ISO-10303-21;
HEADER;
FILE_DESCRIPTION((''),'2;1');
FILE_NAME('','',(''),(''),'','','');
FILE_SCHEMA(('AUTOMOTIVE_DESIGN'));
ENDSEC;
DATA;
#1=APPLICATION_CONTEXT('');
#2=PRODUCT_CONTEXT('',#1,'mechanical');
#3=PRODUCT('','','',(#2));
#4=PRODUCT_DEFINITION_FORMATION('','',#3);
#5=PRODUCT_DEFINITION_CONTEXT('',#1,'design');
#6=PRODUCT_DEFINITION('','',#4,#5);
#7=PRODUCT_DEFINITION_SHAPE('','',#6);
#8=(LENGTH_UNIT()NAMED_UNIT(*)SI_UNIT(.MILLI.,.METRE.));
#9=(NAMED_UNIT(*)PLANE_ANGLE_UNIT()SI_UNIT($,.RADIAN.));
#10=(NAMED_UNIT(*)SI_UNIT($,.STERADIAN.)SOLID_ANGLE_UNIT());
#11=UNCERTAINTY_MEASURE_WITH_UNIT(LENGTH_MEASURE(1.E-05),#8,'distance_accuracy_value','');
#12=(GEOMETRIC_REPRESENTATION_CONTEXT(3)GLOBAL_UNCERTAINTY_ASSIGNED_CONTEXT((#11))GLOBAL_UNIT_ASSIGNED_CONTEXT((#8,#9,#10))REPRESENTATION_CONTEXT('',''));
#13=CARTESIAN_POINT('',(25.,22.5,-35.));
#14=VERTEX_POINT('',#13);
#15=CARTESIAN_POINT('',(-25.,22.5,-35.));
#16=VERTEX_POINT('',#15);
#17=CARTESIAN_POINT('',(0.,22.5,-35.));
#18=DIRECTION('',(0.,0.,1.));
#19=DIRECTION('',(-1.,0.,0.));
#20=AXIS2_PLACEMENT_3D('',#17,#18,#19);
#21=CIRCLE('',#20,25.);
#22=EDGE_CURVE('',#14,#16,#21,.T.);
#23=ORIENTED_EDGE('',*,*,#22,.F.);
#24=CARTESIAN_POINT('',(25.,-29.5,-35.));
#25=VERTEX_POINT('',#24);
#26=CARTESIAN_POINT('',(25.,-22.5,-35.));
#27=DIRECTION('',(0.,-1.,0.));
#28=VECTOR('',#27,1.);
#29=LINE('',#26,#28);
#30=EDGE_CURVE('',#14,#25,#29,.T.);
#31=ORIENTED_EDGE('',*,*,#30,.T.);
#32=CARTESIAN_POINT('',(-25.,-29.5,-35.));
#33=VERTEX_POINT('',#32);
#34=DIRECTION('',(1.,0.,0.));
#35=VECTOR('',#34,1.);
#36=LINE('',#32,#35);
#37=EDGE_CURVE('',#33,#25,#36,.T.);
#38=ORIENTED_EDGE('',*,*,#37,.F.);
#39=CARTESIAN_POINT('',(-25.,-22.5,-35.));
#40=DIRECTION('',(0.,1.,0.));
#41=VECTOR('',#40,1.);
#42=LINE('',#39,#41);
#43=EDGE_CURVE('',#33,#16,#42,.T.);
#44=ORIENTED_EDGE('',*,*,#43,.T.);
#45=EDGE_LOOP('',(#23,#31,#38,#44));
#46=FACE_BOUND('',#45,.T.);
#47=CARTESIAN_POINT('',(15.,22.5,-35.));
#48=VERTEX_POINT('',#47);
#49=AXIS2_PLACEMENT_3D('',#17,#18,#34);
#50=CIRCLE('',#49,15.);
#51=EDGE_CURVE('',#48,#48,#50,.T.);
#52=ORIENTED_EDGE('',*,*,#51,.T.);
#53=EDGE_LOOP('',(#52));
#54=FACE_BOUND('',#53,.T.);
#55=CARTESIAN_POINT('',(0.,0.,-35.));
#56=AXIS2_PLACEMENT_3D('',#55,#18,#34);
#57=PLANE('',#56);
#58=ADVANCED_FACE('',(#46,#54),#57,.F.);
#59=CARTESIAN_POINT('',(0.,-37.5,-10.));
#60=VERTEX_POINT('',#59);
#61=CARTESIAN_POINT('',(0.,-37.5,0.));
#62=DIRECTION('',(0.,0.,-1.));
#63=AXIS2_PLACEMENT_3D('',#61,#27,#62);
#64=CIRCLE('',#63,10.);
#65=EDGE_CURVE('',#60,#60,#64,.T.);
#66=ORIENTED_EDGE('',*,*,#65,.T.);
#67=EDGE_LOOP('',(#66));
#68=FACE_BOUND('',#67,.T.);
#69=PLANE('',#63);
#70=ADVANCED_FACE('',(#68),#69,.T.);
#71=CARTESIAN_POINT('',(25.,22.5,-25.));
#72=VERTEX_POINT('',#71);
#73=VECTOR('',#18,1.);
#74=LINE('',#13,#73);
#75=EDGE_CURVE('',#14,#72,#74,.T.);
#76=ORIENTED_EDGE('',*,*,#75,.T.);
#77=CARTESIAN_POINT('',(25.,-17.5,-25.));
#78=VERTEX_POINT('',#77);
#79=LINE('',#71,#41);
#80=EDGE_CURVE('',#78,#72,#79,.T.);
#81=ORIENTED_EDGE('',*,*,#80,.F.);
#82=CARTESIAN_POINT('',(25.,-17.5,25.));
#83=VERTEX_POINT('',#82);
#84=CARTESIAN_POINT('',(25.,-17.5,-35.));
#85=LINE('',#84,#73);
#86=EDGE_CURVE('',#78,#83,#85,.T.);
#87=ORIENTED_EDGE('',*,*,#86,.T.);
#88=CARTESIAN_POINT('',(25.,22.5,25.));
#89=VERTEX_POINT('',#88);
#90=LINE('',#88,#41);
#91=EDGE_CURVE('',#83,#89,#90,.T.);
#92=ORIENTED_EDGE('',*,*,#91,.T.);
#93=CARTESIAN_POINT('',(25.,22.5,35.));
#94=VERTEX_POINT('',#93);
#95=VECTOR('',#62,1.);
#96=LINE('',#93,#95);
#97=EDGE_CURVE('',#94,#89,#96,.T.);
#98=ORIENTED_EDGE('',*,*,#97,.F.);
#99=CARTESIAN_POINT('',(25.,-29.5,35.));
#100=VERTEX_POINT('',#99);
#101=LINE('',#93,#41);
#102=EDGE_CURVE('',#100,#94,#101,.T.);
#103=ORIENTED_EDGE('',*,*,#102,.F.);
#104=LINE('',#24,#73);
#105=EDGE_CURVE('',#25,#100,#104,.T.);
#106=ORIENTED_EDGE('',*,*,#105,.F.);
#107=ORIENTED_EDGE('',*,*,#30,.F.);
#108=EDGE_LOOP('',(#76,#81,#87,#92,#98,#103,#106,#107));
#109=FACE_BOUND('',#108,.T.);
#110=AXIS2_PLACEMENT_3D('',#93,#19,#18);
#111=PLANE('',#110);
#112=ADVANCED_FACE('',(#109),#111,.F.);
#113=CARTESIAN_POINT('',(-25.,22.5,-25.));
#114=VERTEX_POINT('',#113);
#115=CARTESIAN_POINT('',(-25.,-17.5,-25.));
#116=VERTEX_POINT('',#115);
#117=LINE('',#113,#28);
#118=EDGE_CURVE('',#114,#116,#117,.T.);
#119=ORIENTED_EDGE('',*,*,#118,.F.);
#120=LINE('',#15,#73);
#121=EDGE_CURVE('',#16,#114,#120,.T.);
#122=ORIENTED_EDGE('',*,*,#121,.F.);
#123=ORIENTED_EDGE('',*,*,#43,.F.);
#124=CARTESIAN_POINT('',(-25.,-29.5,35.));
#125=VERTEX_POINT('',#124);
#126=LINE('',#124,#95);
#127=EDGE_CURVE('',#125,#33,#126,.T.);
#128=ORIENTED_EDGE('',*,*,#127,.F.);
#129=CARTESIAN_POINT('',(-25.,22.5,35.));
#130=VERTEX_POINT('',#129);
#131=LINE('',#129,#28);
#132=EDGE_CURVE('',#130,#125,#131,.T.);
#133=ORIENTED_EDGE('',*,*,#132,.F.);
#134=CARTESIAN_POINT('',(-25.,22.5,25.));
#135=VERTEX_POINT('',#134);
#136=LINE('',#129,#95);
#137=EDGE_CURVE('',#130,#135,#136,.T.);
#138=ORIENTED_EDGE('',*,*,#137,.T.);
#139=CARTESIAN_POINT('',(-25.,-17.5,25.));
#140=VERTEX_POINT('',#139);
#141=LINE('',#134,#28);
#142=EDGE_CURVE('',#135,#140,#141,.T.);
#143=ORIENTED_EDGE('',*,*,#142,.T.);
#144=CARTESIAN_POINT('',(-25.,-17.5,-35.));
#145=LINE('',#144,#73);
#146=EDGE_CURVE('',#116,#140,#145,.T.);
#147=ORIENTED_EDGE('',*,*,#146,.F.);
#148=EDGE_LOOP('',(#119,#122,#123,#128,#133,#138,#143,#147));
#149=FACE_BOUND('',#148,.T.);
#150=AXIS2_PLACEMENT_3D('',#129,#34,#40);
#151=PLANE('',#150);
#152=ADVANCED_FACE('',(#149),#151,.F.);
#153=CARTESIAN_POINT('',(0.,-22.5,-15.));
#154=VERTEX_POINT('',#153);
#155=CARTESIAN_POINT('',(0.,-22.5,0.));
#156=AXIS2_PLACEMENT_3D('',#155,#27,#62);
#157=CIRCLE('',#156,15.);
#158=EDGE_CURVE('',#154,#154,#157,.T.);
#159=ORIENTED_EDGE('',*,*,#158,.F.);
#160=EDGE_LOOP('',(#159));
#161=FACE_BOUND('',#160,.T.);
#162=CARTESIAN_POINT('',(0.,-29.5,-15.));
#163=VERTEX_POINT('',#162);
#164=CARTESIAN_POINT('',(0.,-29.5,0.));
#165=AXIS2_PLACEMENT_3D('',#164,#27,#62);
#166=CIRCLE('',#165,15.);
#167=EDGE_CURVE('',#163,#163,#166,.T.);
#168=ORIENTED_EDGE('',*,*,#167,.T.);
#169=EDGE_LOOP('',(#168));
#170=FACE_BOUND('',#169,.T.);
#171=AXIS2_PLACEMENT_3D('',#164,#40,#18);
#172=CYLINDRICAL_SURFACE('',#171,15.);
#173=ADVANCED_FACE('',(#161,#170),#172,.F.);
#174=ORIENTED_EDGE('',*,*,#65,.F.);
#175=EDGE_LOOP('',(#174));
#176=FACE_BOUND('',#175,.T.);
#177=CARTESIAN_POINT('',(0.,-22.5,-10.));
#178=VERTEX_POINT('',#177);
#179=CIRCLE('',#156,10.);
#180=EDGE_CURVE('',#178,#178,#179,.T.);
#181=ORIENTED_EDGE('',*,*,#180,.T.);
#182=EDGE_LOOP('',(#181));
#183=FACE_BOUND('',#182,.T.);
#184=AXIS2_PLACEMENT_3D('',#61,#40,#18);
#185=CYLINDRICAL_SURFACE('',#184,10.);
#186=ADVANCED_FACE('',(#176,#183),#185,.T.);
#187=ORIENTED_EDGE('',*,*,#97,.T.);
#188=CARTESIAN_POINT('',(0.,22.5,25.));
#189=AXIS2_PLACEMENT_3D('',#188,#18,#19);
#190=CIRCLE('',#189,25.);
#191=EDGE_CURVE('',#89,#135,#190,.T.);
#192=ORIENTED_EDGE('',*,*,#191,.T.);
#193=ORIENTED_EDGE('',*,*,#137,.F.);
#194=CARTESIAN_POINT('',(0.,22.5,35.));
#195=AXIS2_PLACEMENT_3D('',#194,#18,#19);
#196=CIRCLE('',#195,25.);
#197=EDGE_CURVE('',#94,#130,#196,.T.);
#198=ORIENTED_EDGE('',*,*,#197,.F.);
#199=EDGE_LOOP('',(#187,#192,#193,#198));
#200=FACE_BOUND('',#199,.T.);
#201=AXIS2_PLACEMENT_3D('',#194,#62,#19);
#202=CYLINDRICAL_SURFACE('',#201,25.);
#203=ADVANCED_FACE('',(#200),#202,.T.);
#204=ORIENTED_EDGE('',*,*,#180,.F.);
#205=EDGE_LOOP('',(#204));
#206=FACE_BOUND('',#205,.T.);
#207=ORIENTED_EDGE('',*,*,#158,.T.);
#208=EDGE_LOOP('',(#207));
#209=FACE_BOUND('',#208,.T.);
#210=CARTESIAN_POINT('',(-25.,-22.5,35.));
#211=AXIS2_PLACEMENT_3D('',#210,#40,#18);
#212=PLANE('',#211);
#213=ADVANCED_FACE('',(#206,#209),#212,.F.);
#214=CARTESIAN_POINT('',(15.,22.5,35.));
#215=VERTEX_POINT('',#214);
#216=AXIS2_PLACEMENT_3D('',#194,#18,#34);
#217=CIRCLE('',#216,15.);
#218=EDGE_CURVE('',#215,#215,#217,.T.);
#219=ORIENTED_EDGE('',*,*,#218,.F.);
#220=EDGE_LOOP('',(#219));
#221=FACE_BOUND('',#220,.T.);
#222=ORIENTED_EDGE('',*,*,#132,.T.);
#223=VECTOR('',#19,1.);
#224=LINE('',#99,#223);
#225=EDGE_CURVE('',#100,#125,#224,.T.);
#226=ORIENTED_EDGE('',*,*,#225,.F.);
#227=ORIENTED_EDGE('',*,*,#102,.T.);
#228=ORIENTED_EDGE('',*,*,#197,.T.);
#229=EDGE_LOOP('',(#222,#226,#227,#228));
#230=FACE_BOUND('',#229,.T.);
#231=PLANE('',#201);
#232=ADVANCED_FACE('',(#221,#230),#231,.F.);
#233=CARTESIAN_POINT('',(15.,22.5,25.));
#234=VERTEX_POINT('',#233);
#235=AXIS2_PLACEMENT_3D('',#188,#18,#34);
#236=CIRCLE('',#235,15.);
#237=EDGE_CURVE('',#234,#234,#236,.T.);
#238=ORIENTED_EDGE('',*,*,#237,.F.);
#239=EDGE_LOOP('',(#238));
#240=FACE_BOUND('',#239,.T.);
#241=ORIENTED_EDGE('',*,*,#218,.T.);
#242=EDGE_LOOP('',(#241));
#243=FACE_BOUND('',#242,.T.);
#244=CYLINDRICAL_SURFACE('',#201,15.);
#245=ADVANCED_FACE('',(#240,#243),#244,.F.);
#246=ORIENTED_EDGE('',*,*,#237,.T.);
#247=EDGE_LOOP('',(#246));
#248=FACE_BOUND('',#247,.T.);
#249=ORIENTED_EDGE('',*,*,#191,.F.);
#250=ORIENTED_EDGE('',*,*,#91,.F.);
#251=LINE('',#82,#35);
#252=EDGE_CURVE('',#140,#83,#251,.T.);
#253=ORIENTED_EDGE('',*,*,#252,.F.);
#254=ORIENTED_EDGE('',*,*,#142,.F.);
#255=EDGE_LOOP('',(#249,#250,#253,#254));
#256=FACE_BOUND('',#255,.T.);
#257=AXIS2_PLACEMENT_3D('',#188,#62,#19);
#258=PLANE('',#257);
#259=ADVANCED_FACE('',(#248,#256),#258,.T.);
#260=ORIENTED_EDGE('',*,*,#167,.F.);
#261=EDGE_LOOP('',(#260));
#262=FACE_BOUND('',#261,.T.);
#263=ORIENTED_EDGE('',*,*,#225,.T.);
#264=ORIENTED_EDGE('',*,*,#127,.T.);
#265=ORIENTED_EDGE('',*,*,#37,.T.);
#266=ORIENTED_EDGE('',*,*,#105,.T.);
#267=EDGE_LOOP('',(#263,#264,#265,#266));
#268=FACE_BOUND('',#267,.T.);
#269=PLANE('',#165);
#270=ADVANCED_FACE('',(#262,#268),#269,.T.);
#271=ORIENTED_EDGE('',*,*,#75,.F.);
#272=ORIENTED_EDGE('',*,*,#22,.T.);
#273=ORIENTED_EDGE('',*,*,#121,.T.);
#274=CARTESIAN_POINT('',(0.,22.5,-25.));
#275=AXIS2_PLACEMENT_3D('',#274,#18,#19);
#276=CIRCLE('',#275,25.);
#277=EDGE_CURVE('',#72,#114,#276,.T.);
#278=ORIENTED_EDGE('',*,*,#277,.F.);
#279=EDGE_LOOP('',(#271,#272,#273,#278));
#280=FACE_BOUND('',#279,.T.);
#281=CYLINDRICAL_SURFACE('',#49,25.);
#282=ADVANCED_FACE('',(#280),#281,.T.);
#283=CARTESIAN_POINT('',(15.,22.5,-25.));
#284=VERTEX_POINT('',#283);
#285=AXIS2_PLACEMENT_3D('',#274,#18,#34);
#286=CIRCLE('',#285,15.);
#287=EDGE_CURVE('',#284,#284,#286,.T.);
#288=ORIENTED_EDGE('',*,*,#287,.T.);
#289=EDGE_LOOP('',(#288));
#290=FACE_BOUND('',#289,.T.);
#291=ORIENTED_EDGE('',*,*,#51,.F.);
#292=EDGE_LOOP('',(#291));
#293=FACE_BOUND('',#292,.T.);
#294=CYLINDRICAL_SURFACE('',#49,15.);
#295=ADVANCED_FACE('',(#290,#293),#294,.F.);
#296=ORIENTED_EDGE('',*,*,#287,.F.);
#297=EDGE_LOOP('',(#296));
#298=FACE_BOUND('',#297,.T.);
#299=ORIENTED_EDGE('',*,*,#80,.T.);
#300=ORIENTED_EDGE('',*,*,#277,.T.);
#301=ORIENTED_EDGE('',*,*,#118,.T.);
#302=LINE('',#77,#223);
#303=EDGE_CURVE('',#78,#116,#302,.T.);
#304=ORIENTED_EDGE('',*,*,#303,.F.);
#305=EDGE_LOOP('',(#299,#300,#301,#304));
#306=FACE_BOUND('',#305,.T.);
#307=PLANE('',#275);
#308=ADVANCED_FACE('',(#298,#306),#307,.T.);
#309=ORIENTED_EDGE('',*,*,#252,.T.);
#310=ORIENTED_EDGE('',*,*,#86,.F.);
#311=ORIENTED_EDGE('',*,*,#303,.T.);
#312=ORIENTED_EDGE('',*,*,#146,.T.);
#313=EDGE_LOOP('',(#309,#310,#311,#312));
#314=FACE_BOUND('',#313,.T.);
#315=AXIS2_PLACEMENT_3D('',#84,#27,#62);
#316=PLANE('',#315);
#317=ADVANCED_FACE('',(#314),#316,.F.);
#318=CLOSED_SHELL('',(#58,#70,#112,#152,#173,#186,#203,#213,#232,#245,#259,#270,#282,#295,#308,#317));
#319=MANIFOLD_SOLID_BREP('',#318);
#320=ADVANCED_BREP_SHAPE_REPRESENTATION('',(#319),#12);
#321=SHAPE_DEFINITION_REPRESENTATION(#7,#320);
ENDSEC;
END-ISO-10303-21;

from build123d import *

# Parameters (mm, degrees)
SKETCH2_R           = 15
BOSS_EXTRUDE2_DEPTH = 5
SKETCH3_W           = 50
SKETCH3_H           = 5
BOSS_EXTRUDE3_DEPTH = 60
SKETCH4_R           = 10
BOSS_EXTRUDE4_DEPTH = 15
SKETCH5_W           = 50
SKETCH5_H           = 70
SKETCH5_R           = 15
BOSS_EXTRUDE5_DEPTH = 7


with BuildPart() as part:
    # Sketch2 → Boss-Extrude2 (new, symmetric)
    with BuildSketch(Plane.XY.offset(30)):
        with BuildLine():
            Line((-25, 22.5), (-25, -22.5))
            Line((-25, -22.5), (25, -22.5))
            Line((25, -22.5), (25, 22.5))
            ThreePointArc((25, 22.5), (0, 47.5), (-25, 22.5))
        make_face()
        with Locations((0, 22.5)):
            Circle(SKETCH2_R, mode=Mode.SUBTRACT)
    boss_extrude2 = extrude(amount=BOSS_EXTRUDE2_DEPTH, both=True)

    # Sketch3 → Boss-Extrude3 (add)
    with BuildSketch(Plane(origin=(0, 0, 25), x_dir=(-1, 0, 0), z_dir=(0, 0, -1))):
        with Locations((0, -20)):
            Rectangle(SKETCH3_W, SKETCH3_H)
    extrude(amount=BOSS_EXTRUDE3_DEPTH)

    # Mirror3: Boss-Extrude2 across plane
    add(boss_extrude2.mirror(Plane.XY))

    # Sketch4 → Boss-Extrude4 (add)
    with BuildSketch(Plane.XZ.offset(22.5)):
        with Locations(Location((0, 0, 0), (0, 0, 270))):
            Circle(SKETCH4_R)
    extrude(amount=BOSS_EXTRUDE4_DEPTH)

    # Sketch5 → Boss-Extrude5 (add)
    with BuildSketch(Plane.XZ.offset(22.5)):
        Rectangle(SKETCH5_W, SKETCH5_H)
        with Locations(Location((0, 0, 0), (0, 0, 270))):
            Circle(SKETCH5_R, mode=Mode.SUBTRACT)
    extrude(amount=BOSS_EXTRUDE5_DEPTH)


solid = part.part
